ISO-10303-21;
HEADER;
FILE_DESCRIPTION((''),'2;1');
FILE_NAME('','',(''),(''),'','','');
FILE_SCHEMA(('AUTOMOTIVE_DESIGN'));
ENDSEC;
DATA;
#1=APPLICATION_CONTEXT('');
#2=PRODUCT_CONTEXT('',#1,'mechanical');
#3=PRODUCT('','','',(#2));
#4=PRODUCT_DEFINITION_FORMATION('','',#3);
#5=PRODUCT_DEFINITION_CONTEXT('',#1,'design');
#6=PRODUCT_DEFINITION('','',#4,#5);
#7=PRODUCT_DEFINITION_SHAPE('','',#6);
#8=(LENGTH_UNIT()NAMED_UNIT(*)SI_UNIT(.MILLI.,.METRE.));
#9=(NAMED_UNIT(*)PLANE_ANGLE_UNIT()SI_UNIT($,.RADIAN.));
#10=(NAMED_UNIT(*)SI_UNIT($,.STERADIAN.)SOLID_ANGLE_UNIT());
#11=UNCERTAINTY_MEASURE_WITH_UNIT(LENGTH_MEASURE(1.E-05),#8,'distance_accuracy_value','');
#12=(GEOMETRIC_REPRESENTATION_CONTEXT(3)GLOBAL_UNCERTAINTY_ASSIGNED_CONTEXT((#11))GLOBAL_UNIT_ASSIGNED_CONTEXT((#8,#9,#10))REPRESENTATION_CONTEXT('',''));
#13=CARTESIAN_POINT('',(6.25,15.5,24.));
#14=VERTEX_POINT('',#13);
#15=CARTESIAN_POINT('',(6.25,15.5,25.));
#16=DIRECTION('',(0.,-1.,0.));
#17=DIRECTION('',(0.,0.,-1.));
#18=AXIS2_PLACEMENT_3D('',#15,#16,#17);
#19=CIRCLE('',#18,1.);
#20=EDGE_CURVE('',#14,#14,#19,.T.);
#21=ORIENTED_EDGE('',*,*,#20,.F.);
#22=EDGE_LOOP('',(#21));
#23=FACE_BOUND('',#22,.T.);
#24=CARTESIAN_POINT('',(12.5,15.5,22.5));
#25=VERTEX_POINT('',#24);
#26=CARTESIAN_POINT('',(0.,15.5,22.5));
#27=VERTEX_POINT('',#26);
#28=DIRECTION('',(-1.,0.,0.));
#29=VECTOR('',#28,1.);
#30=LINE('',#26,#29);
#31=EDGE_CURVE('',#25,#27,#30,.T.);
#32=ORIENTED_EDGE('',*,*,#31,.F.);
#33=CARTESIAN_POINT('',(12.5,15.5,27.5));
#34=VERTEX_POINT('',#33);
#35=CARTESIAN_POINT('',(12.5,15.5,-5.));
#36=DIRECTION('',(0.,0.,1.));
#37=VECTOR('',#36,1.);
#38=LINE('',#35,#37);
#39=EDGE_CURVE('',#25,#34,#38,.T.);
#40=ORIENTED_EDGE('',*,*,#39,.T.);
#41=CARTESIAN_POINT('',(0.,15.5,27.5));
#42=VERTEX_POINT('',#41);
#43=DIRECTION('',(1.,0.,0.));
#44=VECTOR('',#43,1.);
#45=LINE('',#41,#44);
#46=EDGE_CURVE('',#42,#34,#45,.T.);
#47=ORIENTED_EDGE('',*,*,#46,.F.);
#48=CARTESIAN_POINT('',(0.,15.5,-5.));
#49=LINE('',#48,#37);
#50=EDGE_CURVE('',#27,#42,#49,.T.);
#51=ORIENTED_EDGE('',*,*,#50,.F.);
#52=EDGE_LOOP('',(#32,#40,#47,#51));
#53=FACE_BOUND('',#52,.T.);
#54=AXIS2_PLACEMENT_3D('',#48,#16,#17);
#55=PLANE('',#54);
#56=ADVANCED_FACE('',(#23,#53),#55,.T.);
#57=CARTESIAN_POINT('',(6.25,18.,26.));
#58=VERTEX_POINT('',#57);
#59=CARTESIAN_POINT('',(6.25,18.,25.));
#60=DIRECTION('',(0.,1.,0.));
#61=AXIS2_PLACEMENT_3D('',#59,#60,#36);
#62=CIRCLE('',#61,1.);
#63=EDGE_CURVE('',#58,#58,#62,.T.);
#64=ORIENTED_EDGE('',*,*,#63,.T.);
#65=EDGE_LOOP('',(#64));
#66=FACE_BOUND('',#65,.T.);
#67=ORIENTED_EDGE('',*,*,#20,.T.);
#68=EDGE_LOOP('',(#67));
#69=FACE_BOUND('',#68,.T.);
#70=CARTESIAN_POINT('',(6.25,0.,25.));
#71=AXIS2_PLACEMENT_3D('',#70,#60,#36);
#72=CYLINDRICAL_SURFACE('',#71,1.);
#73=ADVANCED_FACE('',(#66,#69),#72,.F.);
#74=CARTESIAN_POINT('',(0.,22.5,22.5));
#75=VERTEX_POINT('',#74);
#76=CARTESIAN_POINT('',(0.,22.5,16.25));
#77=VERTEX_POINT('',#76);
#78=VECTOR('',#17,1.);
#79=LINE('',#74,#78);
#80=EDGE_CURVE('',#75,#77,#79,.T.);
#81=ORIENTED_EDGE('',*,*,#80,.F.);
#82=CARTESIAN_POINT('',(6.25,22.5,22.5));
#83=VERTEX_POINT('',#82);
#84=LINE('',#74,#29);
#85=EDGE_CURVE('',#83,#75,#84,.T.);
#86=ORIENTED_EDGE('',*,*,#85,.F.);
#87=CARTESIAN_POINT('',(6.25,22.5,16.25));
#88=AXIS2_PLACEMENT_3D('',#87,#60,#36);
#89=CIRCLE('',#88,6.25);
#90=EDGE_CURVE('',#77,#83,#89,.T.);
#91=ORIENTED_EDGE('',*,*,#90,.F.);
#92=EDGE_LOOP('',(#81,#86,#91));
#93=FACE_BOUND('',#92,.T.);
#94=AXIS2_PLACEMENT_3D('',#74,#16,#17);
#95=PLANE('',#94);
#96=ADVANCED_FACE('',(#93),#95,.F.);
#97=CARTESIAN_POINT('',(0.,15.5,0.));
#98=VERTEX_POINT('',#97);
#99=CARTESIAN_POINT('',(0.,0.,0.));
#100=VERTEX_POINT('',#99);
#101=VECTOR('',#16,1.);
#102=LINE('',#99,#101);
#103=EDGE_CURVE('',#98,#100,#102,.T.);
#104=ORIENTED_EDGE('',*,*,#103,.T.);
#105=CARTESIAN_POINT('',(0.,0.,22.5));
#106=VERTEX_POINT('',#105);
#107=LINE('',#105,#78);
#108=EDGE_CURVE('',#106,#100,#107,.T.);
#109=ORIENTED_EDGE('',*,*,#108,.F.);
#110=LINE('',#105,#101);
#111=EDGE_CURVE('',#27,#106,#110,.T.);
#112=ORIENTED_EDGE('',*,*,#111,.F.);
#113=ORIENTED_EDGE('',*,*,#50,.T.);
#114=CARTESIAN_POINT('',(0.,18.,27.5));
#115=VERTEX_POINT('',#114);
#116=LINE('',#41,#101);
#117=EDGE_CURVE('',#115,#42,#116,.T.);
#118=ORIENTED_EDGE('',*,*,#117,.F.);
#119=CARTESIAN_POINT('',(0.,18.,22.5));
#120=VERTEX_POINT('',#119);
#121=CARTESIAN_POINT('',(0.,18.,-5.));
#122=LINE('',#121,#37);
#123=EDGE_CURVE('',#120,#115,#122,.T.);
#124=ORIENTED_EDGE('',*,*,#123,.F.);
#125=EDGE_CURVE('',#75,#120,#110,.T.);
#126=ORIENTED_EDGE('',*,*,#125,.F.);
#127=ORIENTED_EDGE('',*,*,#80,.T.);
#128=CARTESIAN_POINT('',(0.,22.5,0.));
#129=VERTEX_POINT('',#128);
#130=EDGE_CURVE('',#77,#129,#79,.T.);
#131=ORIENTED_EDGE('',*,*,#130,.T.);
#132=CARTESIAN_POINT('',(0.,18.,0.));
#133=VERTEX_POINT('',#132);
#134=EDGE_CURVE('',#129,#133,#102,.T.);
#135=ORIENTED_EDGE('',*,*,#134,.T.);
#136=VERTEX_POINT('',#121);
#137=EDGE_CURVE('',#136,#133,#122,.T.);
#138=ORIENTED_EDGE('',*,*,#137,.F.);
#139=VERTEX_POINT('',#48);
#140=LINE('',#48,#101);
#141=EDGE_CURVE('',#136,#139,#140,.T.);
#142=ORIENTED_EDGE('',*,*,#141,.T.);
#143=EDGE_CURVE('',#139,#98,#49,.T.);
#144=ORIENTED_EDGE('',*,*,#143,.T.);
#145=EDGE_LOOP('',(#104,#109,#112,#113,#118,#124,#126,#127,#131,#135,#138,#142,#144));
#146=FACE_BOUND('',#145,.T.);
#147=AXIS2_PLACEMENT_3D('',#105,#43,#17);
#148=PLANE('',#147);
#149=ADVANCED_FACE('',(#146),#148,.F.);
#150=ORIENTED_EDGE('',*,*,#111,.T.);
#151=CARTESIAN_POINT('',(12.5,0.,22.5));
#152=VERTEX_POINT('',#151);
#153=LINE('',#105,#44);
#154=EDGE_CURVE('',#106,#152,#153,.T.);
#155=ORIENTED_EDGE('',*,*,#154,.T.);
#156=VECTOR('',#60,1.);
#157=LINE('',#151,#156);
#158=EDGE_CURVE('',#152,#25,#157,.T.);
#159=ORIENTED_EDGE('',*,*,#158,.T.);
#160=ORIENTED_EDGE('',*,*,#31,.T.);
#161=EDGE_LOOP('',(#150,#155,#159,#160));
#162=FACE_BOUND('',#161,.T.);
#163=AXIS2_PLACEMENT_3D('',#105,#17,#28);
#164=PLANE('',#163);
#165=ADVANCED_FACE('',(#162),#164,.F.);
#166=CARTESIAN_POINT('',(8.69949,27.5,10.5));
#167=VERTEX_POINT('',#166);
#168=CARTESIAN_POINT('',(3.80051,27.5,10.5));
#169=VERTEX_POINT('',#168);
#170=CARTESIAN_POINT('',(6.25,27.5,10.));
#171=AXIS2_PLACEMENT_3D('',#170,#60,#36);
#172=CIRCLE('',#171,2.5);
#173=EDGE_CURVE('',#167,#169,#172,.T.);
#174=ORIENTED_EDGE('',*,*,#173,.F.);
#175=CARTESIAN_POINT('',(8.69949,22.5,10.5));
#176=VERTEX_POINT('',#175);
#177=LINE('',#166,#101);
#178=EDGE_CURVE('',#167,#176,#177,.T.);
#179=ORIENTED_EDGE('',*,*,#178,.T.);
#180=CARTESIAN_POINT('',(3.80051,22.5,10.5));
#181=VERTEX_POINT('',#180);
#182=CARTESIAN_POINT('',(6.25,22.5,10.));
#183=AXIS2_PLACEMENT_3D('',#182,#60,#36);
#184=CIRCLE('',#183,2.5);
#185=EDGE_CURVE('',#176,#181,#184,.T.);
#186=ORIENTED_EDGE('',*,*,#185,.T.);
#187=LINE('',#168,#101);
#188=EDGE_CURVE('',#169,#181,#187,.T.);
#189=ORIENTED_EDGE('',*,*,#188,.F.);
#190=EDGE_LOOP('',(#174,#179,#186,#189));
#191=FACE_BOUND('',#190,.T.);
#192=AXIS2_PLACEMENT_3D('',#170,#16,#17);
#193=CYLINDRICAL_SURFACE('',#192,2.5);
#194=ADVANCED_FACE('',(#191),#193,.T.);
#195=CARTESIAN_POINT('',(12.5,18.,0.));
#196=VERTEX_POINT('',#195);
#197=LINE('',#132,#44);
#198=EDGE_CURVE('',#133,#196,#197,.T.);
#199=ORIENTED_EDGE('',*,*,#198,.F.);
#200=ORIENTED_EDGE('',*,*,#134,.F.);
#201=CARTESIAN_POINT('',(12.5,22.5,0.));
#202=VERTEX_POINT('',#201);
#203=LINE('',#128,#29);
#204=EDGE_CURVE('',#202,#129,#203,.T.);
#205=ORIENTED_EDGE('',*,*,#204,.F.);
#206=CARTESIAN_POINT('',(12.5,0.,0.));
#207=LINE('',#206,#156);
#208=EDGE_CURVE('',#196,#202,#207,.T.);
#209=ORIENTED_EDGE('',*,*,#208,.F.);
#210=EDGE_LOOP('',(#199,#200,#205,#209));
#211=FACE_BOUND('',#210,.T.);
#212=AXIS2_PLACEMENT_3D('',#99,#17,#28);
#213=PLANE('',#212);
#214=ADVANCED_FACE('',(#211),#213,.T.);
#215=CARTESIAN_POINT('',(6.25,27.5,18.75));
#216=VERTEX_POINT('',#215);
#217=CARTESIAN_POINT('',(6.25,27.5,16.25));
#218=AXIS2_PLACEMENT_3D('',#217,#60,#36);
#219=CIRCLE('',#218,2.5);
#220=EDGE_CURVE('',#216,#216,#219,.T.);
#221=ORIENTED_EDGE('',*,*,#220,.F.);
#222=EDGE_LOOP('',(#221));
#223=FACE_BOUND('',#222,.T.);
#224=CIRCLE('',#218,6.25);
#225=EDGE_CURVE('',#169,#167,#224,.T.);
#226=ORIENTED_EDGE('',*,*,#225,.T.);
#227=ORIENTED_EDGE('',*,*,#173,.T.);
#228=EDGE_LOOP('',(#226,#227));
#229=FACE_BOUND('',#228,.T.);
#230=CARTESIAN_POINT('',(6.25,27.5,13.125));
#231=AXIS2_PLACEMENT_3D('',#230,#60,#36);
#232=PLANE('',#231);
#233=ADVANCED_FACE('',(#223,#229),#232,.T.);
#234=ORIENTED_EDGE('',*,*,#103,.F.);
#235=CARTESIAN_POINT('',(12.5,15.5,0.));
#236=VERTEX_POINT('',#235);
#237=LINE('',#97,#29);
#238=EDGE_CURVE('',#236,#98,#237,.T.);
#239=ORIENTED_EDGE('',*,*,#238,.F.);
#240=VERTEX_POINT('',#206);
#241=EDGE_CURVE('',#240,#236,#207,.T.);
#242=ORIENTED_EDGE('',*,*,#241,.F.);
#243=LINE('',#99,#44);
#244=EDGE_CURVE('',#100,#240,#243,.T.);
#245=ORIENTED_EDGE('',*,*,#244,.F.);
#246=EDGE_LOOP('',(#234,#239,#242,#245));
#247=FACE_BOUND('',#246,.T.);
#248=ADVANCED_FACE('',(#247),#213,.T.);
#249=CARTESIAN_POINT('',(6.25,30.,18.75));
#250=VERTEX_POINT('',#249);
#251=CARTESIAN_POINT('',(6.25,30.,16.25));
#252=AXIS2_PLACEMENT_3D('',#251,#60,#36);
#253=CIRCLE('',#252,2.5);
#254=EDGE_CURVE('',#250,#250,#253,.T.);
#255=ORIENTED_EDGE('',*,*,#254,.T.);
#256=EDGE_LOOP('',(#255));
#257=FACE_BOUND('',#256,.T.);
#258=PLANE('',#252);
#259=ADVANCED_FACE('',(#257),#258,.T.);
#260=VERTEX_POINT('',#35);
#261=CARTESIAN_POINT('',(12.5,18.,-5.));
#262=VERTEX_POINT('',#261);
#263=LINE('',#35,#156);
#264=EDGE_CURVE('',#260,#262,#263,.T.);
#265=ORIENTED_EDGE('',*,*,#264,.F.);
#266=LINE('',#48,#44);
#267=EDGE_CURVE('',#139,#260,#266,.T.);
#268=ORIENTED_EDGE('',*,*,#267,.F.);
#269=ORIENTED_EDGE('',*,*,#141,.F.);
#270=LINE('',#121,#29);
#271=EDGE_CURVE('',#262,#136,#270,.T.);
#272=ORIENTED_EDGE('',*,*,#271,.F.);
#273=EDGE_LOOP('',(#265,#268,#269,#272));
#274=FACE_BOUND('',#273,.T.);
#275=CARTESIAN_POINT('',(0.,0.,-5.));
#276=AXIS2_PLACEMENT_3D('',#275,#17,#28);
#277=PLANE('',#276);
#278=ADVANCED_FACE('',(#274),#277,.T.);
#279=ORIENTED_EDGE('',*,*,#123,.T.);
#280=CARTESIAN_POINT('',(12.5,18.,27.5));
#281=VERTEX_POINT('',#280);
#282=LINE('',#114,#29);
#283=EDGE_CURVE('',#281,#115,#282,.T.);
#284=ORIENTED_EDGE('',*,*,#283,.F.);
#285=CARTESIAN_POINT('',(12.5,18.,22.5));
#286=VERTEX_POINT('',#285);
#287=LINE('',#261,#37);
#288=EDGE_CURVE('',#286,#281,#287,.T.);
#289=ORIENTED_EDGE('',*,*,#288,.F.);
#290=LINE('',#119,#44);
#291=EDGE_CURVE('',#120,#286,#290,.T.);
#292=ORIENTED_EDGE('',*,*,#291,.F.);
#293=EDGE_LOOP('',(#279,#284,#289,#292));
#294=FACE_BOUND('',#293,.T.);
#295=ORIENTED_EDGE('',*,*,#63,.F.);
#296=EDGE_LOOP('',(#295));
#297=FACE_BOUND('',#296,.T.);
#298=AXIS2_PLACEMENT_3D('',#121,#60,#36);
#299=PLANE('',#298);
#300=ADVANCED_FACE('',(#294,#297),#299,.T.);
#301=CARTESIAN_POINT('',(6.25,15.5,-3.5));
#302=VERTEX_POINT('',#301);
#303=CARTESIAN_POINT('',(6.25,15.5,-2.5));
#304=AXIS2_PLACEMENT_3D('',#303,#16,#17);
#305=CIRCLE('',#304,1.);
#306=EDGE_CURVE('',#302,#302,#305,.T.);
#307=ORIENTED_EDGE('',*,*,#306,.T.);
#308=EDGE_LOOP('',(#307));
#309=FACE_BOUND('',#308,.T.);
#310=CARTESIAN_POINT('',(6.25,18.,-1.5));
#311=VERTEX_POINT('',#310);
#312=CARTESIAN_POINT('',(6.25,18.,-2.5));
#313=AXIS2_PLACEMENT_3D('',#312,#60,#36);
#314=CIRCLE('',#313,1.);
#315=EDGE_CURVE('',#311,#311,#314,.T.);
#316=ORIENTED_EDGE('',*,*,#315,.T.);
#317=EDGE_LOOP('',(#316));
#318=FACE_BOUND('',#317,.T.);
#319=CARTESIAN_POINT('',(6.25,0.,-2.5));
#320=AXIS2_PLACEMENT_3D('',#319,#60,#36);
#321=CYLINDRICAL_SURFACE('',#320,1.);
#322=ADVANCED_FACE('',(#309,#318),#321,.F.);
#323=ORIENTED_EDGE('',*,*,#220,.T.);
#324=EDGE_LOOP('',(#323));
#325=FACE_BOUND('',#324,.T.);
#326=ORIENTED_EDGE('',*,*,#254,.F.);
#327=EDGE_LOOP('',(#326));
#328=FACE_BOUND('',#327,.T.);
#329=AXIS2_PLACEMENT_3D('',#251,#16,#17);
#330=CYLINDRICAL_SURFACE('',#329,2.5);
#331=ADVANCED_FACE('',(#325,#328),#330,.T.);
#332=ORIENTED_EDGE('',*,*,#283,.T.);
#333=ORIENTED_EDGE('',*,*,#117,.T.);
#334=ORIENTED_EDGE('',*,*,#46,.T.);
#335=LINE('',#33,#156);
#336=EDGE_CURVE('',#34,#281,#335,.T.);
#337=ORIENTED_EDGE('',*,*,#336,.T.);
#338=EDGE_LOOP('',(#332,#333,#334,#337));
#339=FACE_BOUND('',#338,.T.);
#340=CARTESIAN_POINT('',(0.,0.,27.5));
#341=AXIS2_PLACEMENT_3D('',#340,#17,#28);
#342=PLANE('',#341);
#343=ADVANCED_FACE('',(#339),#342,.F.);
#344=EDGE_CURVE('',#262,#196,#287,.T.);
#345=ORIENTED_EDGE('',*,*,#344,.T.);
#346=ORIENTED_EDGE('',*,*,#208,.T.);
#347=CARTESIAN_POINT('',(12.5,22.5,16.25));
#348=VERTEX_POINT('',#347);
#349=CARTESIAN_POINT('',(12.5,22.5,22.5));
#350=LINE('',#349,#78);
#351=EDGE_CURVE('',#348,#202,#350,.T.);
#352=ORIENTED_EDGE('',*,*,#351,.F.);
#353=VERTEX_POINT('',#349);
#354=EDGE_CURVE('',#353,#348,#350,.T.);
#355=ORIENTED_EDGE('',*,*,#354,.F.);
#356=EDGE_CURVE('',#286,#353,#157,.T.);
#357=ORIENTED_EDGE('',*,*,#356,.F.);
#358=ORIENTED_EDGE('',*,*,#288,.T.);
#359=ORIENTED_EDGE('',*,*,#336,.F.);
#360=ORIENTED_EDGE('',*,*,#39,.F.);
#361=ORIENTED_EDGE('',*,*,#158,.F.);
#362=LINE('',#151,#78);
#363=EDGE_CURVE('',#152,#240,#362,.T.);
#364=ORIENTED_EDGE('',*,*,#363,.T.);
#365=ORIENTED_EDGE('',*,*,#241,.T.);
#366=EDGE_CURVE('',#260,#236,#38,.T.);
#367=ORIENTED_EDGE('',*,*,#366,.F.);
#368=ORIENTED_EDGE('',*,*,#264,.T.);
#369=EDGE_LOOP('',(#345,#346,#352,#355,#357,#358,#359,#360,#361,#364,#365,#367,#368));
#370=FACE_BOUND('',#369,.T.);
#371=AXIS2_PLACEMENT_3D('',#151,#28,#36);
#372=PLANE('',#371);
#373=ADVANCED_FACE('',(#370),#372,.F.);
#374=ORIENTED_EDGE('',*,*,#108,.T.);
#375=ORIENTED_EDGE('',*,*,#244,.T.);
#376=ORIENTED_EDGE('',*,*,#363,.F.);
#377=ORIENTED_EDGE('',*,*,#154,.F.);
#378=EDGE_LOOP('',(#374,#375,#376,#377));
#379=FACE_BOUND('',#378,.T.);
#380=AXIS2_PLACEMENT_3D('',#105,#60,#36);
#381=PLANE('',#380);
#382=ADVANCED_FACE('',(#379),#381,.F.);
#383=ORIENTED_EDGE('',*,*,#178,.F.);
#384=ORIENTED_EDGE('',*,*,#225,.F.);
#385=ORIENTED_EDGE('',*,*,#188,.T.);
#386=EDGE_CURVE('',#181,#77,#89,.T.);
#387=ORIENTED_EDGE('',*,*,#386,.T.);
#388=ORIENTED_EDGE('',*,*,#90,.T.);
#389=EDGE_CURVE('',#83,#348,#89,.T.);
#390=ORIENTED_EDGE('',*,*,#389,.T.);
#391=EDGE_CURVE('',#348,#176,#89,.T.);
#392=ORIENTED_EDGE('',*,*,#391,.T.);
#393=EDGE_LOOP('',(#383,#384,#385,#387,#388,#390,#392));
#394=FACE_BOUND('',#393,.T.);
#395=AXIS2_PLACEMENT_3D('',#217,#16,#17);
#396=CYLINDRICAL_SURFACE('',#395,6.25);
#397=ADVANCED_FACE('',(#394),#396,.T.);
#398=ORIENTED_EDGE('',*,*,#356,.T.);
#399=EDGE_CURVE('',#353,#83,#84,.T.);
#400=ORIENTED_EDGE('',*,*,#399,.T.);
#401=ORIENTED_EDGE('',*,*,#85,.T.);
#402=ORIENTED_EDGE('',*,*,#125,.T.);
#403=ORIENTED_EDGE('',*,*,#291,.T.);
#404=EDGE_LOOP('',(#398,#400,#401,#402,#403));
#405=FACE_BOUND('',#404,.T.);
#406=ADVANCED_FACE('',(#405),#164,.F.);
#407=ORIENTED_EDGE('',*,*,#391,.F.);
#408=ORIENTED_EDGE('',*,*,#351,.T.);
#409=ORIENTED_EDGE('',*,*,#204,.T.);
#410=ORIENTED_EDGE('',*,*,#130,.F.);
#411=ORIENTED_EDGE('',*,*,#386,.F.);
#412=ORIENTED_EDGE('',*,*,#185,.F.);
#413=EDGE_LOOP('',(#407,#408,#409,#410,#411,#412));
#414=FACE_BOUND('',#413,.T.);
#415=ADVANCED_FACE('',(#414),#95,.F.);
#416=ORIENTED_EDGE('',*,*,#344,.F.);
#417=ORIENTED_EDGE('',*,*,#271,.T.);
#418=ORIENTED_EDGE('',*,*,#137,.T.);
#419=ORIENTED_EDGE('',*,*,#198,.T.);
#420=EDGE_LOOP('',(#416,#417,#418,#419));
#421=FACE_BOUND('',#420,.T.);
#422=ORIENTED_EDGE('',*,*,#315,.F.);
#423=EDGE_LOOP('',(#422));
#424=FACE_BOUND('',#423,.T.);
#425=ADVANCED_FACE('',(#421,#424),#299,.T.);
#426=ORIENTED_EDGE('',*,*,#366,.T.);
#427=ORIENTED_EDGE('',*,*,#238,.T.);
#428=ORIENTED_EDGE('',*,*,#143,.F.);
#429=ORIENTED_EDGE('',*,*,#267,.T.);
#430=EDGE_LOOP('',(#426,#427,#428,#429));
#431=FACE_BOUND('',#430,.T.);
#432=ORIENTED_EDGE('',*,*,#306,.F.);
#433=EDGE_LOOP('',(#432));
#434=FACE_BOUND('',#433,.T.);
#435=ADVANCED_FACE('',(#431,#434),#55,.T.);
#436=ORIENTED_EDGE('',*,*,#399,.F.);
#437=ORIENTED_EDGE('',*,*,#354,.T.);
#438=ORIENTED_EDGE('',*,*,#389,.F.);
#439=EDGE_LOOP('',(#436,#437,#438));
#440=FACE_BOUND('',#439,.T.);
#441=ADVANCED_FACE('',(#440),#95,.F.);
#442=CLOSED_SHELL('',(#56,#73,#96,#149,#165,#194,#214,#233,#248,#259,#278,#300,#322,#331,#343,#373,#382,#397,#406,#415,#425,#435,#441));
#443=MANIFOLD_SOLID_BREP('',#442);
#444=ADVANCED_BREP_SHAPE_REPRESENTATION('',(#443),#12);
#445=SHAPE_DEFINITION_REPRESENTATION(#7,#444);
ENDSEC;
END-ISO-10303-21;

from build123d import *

# Parameters (mm, degrees)
SKETCH1_W                = 12.5
SKETCH1_H                = 22.5
BOSS_EXTRUDE1_DEPTH      = 22.5
BOSS_EXTRUDE2_DEPTH      = 5
BOSS_EXTRUDE2_DEPTH_BACK = 27.5
SKETCH2_W                = 12.5
SKETCH2_H                = 2.5
BOSS_EXTRUDE3_DEPTH      = 5
SKETCH4_R                = 2.5
BOSS_EXTRUDE4_DEPTH      = 2.5
SKETCH5_R                = 1
CUT_EXTRUDE1_DEPTH       = 36.163901945


with BuildPart() as part:
    # Sketch1 → Boss-Extrude1 (new body)
    with BuildSketch(Plane.XY):
        with Locations((6.25, 11.25)):
            Rectangle(SKETCH1_W, SKETCH1_H)
    extrude(amount=BOSS_EXTRUDE1_DEPTH)

    # Sketch2 → Boss-Extrude2 (add, two sides: drawn at the far end of the back side and taken through both)
    with BuildSketch(Plane.XY.offset(22.5).offset(-BOSS_EXTRUDE2_DEPTH_BACK)):
        with Locations((6.25, 16.75)):
            Rectangle(SKETCH2_W, SKETCH2_H)
    extrude(amount=BOSS_EXTRUDE2_DEPTH + BOSS_EXTRUDE2_DEPTH_BACK)

    # Sketch3 → Boss-Extrude3 (add)
    with BuildSketch(Plane(origin=(0, 22.5, 0), x_dir=(1, 0, 0), z_dir=(0, 1, 0))):
        with BuildLine():
            ThreePointArc((3.800510257, -10.5), (6.25, -22.5), (8.699489743, -10.5))
            ThreePointArc((8.699489743, -10.5), (6.25, -7.5), (3.800510257, -10.5))
        make_face()
    extrude(amount=BOSS_EXTRUDE3_DEPTH)

    # Sketch4 → Boss-Extrude4 (add)
    with BuildSketch(Plane(origin=(0, 27.5, 0), x_dir=(1, 0, 0), z_dir=(0, 1, 0))):
        with Locations(Location((6.25, -16.25, 0), (0, 0, 270))):
            Circle(SKETCH4_R)
    extrude(amount=BOSS_EXTRUDE4_DEPTH)

    # Sketch5 → Cut-Extrude1 (cut, through all)
    with BuildSketch(Plane(origin=(0, 18, 0), x_dir=(1, 0, 0), z_dir=(0, 1, 0))):
        with Locations(Location((6.25, -25, 0), (0, 0, 270))):
            Circle(SKETCH5_R)
        with Locations(Location((6.25, 2.5, 0), (0, 0, 270))):
            Circle(SKETCH5_R)
    extrude(amount=-CUT_EXTRUDE1_DEPTH, mode=Mode.SUBTRACT)


solid = part.part
